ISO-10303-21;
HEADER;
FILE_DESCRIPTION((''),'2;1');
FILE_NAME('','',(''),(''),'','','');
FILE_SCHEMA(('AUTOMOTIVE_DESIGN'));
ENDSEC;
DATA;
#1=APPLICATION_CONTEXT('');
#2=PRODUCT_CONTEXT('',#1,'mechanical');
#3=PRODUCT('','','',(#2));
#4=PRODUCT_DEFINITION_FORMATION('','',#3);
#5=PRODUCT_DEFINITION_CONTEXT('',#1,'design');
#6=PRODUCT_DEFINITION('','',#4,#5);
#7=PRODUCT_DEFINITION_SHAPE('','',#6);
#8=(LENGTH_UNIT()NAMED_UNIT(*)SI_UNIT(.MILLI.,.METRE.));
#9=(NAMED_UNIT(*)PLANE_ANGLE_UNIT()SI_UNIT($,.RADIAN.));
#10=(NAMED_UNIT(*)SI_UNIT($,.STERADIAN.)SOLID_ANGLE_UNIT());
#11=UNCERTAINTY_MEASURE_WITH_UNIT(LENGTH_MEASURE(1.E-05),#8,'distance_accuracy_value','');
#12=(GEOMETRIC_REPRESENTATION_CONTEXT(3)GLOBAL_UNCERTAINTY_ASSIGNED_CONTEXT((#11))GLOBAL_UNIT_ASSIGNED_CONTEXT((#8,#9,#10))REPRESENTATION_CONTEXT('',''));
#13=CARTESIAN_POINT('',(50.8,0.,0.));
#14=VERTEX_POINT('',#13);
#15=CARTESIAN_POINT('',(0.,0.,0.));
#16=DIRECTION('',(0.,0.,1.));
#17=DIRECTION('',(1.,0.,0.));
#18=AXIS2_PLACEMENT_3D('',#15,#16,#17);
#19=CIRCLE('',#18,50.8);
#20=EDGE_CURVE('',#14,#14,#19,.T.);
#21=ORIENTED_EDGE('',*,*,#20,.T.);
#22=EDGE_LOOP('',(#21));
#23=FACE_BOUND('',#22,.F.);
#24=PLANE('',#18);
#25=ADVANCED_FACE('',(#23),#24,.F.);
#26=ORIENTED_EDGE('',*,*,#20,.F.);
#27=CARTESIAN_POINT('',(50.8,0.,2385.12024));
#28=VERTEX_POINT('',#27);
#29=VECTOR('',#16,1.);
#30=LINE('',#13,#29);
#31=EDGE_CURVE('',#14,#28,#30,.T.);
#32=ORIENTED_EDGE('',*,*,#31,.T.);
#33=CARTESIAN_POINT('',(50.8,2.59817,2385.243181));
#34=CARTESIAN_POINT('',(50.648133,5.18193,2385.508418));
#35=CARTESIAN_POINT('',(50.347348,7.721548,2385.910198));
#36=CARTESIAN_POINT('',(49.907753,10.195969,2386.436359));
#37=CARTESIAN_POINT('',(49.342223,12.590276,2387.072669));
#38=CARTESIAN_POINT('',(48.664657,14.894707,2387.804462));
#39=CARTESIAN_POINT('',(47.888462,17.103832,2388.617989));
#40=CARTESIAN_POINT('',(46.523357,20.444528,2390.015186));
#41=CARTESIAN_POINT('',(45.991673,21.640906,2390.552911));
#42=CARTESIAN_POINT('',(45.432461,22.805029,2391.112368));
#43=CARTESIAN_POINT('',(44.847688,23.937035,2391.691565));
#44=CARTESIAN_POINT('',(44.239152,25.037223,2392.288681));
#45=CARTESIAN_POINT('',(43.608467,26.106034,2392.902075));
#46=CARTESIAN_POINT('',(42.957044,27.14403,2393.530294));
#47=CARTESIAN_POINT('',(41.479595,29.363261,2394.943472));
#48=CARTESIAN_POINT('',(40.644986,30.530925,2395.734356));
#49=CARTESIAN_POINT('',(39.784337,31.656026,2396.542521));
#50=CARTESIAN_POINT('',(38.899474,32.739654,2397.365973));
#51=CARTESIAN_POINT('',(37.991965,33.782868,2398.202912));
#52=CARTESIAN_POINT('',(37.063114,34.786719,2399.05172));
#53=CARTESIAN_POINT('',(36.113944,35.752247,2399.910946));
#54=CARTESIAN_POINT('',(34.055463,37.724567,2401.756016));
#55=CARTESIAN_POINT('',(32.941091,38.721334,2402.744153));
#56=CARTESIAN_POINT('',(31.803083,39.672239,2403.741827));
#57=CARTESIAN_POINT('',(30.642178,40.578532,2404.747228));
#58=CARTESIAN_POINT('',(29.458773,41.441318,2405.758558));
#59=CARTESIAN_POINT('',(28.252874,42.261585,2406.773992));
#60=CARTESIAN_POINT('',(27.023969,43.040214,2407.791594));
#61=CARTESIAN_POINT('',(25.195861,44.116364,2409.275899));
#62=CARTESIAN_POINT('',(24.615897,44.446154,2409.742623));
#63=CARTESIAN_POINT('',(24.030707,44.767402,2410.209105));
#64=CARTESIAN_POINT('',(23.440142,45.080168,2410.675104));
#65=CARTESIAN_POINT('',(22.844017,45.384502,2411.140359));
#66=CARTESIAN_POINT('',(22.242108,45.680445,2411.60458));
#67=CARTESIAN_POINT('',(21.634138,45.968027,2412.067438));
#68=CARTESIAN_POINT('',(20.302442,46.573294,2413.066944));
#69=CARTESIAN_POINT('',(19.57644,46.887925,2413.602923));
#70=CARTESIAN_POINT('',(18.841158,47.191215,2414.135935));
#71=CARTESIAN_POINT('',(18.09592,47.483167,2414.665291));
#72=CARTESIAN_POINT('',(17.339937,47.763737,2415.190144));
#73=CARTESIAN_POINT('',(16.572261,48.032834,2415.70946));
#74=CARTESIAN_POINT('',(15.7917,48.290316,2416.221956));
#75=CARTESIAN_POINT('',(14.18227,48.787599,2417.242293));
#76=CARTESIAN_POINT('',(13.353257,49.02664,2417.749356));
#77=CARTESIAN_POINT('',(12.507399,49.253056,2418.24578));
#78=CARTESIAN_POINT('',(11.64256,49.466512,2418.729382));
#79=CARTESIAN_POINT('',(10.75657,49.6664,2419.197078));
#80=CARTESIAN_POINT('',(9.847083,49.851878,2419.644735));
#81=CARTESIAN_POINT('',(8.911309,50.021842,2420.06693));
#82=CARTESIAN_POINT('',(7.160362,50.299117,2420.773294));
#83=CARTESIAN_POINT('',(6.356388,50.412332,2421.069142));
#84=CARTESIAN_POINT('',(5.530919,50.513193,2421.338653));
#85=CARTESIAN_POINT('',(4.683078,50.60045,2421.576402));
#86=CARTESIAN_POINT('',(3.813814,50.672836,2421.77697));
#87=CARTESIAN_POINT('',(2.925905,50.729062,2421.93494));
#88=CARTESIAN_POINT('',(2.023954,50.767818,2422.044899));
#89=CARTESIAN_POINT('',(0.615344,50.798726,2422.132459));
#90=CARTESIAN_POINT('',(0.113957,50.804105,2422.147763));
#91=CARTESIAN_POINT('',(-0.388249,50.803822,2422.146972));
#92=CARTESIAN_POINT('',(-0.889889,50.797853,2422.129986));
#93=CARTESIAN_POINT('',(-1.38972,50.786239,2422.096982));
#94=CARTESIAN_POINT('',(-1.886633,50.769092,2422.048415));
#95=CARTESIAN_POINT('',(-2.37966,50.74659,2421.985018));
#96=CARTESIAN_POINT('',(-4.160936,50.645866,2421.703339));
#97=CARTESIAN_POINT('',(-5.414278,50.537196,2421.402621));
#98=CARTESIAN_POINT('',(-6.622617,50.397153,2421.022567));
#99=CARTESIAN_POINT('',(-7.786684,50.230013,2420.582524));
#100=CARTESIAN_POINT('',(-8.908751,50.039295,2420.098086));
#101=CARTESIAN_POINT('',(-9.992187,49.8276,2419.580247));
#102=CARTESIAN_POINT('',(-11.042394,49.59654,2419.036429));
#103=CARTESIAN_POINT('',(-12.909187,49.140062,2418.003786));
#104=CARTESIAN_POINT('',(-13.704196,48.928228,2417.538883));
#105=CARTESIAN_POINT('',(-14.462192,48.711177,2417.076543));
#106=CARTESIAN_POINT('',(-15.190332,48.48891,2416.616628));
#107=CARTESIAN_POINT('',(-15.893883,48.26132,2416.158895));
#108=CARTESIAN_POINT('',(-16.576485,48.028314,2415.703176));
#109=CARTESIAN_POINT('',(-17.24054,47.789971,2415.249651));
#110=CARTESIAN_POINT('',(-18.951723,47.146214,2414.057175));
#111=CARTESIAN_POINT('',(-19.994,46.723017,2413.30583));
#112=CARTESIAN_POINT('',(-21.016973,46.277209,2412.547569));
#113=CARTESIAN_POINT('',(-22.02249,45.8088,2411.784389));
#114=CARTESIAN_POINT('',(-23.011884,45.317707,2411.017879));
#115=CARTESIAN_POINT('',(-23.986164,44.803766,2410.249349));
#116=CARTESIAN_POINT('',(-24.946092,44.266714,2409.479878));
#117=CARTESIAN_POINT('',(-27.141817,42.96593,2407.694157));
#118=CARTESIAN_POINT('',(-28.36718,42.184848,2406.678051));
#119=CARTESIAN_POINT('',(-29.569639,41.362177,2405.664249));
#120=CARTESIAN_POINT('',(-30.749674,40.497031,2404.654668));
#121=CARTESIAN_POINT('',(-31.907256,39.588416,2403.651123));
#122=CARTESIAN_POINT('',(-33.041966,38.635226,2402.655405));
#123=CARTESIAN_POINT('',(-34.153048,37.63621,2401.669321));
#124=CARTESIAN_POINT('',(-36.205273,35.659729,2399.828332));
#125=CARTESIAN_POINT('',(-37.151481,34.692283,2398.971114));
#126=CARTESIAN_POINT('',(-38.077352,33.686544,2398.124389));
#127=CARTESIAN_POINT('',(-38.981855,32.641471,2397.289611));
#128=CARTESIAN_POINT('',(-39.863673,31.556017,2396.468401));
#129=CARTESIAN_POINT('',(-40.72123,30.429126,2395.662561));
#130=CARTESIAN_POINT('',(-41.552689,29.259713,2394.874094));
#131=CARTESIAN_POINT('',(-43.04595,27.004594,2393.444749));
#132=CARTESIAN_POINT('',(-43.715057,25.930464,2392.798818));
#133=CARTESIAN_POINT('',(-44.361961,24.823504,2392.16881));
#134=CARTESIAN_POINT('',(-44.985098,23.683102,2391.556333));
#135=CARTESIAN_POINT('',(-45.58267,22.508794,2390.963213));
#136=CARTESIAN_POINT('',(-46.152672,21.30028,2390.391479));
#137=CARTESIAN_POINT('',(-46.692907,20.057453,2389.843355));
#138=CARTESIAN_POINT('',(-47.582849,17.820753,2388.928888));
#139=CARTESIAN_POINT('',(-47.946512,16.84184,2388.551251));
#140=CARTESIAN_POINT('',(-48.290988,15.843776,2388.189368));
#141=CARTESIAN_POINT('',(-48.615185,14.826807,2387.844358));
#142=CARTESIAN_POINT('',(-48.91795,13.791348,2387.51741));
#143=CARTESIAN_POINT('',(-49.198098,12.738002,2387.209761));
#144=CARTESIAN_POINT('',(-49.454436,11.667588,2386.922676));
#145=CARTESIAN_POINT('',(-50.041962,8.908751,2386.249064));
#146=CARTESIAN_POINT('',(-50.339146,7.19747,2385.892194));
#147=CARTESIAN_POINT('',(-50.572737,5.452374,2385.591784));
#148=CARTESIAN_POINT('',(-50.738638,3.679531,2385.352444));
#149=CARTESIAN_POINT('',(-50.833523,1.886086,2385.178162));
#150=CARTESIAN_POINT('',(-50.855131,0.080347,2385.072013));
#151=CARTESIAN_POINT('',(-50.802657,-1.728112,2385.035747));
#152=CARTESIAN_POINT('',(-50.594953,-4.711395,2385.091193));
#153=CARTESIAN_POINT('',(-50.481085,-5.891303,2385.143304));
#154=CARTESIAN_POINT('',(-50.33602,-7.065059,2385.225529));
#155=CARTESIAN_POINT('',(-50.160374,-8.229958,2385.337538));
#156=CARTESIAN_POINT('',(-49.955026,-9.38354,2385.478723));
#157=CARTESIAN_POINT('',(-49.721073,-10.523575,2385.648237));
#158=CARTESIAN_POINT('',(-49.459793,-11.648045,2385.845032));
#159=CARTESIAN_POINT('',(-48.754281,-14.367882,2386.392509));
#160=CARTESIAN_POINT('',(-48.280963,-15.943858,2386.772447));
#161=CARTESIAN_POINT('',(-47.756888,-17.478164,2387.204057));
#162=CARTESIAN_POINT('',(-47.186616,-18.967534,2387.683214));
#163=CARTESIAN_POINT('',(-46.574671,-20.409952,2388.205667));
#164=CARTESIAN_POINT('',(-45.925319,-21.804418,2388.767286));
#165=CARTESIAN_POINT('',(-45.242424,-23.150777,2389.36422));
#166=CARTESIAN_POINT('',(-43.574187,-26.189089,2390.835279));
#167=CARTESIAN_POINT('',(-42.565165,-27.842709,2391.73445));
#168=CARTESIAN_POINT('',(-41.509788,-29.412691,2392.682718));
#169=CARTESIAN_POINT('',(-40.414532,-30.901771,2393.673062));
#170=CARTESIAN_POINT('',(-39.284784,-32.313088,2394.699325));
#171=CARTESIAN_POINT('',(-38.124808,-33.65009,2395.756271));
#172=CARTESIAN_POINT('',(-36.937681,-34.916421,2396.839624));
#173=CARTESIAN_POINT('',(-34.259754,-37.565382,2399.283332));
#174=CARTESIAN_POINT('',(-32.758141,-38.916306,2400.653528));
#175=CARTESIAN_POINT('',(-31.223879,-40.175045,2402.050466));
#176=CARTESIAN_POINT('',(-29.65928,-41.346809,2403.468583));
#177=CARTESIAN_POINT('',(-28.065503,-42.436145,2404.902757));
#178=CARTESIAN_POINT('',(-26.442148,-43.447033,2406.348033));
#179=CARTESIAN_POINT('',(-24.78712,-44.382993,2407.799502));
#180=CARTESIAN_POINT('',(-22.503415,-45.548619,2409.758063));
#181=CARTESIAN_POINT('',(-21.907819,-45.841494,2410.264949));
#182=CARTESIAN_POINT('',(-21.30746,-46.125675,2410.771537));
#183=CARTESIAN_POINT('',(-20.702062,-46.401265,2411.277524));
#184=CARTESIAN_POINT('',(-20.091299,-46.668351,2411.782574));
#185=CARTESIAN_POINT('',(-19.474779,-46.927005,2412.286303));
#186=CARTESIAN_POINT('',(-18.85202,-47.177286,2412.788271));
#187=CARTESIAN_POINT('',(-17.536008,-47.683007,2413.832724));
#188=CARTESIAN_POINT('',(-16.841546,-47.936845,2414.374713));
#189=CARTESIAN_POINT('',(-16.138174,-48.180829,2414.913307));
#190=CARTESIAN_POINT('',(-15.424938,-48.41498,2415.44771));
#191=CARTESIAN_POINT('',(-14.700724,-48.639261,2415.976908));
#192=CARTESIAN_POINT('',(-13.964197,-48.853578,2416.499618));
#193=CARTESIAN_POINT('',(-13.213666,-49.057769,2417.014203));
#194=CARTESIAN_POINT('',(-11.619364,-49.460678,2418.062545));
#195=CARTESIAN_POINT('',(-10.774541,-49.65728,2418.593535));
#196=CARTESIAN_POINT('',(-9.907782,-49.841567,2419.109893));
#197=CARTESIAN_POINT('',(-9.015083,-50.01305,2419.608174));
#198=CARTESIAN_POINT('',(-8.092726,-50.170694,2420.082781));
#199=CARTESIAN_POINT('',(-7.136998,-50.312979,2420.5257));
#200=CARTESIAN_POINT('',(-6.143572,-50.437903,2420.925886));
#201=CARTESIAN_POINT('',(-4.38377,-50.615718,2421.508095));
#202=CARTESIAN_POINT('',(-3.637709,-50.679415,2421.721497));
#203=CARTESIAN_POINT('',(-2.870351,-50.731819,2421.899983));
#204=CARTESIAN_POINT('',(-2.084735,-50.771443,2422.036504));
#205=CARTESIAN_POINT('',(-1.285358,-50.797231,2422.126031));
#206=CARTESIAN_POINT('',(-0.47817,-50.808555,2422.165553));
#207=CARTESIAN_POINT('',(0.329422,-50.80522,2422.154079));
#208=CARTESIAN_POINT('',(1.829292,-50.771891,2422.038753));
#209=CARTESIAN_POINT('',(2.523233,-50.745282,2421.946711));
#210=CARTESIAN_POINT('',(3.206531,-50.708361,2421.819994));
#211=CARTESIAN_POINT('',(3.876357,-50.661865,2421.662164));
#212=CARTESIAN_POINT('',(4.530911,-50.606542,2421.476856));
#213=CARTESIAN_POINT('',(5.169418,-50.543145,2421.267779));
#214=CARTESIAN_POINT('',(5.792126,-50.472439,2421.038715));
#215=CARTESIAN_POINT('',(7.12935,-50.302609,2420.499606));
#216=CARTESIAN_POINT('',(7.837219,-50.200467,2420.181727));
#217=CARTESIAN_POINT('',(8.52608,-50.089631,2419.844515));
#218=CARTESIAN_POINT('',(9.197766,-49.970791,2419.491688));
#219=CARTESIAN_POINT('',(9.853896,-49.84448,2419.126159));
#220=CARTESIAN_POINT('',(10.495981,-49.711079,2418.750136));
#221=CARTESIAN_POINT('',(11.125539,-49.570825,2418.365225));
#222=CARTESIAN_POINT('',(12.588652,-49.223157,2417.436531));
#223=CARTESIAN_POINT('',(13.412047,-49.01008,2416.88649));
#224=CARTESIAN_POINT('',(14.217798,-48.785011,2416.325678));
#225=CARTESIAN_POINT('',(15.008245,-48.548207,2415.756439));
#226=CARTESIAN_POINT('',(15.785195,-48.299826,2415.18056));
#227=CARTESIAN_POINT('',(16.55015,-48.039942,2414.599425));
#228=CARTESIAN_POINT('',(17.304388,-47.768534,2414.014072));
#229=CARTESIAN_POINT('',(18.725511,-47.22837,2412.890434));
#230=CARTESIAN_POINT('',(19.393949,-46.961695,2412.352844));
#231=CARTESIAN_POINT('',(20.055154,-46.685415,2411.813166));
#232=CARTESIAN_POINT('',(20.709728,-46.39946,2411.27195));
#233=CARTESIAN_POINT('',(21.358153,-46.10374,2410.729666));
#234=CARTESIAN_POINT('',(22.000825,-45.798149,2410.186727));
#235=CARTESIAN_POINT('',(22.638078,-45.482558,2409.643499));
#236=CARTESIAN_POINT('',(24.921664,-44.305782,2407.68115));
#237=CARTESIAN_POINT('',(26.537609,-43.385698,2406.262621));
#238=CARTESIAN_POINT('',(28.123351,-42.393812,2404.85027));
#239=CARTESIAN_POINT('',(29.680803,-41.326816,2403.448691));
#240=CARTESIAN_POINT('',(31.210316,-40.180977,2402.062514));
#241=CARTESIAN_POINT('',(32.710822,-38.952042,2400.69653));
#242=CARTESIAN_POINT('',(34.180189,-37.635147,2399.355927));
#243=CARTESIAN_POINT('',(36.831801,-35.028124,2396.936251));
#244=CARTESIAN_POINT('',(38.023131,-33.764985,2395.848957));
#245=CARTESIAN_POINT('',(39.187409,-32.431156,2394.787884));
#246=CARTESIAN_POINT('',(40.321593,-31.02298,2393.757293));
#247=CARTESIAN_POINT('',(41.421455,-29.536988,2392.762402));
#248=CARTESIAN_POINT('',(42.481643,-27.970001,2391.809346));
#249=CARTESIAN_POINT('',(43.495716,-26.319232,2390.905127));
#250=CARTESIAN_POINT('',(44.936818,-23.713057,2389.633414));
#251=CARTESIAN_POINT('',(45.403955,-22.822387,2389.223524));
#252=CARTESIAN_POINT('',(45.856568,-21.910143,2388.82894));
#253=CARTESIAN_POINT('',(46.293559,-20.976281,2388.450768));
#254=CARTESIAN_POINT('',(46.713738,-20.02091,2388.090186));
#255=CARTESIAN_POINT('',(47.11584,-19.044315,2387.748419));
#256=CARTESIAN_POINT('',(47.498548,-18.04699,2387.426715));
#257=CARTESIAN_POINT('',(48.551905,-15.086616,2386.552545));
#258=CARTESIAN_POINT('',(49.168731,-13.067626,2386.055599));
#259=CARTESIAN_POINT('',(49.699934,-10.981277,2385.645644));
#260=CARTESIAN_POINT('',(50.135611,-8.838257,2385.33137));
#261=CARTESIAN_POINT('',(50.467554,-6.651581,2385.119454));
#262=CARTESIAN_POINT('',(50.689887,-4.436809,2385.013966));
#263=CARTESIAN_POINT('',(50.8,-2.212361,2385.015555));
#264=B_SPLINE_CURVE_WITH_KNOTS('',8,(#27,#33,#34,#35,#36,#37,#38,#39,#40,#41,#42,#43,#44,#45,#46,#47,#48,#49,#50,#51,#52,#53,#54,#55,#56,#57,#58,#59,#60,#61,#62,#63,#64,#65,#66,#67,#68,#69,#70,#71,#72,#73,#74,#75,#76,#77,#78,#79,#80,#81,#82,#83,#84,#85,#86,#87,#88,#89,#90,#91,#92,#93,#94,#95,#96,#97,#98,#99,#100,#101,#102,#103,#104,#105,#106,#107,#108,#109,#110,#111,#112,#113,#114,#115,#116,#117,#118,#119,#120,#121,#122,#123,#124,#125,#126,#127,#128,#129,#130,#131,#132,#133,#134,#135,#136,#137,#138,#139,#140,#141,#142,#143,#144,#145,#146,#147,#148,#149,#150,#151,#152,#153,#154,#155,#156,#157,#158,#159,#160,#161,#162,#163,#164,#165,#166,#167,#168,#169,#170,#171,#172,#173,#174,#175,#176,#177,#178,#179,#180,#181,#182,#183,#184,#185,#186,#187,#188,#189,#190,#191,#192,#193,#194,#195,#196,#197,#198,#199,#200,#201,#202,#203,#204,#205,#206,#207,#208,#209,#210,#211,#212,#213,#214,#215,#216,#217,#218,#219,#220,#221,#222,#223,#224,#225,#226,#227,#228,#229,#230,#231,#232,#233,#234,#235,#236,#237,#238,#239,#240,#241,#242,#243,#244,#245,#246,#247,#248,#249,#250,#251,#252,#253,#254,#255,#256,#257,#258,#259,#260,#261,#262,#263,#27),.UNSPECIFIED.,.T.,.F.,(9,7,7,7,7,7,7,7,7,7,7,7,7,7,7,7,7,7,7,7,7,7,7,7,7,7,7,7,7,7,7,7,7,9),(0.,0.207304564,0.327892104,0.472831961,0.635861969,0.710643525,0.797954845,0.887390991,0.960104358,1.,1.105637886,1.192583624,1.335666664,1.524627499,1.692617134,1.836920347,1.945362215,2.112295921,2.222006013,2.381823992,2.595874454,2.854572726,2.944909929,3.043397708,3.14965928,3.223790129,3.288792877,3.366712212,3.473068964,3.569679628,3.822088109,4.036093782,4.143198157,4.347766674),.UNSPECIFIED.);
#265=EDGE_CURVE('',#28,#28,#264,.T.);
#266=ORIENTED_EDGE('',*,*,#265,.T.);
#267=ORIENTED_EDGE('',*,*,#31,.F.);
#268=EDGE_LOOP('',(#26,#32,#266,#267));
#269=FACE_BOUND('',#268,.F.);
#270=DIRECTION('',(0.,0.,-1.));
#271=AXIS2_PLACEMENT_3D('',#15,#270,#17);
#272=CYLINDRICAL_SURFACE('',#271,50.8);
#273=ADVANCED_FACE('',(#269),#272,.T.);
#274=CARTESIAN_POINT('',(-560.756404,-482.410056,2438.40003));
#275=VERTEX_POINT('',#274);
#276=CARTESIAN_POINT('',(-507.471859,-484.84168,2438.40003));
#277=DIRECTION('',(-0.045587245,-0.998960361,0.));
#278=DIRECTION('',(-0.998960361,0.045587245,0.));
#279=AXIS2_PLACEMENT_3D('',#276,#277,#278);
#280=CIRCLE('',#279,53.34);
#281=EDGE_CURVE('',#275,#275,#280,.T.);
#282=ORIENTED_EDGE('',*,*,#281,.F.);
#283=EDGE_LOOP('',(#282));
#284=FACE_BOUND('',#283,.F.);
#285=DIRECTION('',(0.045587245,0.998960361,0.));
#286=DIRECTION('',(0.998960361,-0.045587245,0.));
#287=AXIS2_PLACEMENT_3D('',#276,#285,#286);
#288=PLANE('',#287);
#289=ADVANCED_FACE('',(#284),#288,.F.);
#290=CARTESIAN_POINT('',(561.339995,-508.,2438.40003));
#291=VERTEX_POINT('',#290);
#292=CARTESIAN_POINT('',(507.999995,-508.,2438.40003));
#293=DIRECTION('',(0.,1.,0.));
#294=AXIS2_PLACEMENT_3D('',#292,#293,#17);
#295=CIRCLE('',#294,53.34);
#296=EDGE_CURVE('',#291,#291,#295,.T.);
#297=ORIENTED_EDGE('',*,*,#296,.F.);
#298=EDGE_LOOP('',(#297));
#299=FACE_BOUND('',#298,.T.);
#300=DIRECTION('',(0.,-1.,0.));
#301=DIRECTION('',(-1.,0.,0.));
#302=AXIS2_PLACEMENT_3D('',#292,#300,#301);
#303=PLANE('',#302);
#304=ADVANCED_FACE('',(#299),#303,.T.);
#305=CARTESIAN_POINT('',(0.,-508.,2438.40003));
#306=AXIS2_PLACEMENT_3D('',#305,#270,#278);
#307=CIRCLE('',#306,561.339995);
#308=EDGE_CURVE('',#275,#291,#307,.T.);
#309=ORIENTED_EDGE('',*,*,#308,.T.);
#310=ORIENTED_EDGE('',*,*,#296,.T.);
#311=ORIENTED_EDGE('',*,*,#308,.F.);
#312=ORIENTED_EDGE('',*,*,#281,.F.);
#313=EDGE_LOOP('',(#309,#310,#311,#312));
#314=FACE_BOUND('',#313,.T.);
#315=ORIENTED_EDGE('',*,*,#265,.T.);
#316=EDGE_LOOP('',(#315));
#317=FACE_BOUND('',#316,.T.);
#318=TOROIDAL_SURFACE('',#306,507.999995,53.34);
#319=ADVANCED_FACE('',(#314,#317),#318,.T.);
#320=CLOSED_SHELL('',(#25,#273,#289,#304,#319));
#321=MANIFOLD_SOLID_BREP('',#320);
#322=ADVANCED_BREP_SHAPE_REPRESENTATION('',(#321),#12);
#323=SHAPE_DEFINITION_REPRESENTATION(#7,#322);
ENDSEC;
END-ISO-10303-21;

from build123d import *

# Parameters (mm, degrees)
F0_R     = 50.8
F1_DEPTH = 2438.4
F6_R     = 53.34


with BuildPart() as f1:
    # F0 (on Top) → F1 (new body)
    with BuildSketch(Plane.XY):
        Circle(F0_R)
    extrude(amount=F1_DEPTH)

    # F7: sweep along a path in F4
    with BuildLine(Plane.XY.offset(2438.4)) as f7_path:
        ThreePointArc((-507.4718634391, -484.8416792996), (11.5821710604, -0.1320513032), (508, -508))
    # F6 (on line) → F7 (sweep)
    with BuildSketch(Plane(origin=(-23.1342444093, -506.9442759495, 0), x_dir=(-0.9989603611, 0.0455872455, 0), z_dir=(0.0455872455, 0.9989603611, 0))):
        with Locations((484.8416745663, 2438.4000301361)):
            Circle(F6_R)
    sweep(path=f7_path.line)


solid = f1.part
